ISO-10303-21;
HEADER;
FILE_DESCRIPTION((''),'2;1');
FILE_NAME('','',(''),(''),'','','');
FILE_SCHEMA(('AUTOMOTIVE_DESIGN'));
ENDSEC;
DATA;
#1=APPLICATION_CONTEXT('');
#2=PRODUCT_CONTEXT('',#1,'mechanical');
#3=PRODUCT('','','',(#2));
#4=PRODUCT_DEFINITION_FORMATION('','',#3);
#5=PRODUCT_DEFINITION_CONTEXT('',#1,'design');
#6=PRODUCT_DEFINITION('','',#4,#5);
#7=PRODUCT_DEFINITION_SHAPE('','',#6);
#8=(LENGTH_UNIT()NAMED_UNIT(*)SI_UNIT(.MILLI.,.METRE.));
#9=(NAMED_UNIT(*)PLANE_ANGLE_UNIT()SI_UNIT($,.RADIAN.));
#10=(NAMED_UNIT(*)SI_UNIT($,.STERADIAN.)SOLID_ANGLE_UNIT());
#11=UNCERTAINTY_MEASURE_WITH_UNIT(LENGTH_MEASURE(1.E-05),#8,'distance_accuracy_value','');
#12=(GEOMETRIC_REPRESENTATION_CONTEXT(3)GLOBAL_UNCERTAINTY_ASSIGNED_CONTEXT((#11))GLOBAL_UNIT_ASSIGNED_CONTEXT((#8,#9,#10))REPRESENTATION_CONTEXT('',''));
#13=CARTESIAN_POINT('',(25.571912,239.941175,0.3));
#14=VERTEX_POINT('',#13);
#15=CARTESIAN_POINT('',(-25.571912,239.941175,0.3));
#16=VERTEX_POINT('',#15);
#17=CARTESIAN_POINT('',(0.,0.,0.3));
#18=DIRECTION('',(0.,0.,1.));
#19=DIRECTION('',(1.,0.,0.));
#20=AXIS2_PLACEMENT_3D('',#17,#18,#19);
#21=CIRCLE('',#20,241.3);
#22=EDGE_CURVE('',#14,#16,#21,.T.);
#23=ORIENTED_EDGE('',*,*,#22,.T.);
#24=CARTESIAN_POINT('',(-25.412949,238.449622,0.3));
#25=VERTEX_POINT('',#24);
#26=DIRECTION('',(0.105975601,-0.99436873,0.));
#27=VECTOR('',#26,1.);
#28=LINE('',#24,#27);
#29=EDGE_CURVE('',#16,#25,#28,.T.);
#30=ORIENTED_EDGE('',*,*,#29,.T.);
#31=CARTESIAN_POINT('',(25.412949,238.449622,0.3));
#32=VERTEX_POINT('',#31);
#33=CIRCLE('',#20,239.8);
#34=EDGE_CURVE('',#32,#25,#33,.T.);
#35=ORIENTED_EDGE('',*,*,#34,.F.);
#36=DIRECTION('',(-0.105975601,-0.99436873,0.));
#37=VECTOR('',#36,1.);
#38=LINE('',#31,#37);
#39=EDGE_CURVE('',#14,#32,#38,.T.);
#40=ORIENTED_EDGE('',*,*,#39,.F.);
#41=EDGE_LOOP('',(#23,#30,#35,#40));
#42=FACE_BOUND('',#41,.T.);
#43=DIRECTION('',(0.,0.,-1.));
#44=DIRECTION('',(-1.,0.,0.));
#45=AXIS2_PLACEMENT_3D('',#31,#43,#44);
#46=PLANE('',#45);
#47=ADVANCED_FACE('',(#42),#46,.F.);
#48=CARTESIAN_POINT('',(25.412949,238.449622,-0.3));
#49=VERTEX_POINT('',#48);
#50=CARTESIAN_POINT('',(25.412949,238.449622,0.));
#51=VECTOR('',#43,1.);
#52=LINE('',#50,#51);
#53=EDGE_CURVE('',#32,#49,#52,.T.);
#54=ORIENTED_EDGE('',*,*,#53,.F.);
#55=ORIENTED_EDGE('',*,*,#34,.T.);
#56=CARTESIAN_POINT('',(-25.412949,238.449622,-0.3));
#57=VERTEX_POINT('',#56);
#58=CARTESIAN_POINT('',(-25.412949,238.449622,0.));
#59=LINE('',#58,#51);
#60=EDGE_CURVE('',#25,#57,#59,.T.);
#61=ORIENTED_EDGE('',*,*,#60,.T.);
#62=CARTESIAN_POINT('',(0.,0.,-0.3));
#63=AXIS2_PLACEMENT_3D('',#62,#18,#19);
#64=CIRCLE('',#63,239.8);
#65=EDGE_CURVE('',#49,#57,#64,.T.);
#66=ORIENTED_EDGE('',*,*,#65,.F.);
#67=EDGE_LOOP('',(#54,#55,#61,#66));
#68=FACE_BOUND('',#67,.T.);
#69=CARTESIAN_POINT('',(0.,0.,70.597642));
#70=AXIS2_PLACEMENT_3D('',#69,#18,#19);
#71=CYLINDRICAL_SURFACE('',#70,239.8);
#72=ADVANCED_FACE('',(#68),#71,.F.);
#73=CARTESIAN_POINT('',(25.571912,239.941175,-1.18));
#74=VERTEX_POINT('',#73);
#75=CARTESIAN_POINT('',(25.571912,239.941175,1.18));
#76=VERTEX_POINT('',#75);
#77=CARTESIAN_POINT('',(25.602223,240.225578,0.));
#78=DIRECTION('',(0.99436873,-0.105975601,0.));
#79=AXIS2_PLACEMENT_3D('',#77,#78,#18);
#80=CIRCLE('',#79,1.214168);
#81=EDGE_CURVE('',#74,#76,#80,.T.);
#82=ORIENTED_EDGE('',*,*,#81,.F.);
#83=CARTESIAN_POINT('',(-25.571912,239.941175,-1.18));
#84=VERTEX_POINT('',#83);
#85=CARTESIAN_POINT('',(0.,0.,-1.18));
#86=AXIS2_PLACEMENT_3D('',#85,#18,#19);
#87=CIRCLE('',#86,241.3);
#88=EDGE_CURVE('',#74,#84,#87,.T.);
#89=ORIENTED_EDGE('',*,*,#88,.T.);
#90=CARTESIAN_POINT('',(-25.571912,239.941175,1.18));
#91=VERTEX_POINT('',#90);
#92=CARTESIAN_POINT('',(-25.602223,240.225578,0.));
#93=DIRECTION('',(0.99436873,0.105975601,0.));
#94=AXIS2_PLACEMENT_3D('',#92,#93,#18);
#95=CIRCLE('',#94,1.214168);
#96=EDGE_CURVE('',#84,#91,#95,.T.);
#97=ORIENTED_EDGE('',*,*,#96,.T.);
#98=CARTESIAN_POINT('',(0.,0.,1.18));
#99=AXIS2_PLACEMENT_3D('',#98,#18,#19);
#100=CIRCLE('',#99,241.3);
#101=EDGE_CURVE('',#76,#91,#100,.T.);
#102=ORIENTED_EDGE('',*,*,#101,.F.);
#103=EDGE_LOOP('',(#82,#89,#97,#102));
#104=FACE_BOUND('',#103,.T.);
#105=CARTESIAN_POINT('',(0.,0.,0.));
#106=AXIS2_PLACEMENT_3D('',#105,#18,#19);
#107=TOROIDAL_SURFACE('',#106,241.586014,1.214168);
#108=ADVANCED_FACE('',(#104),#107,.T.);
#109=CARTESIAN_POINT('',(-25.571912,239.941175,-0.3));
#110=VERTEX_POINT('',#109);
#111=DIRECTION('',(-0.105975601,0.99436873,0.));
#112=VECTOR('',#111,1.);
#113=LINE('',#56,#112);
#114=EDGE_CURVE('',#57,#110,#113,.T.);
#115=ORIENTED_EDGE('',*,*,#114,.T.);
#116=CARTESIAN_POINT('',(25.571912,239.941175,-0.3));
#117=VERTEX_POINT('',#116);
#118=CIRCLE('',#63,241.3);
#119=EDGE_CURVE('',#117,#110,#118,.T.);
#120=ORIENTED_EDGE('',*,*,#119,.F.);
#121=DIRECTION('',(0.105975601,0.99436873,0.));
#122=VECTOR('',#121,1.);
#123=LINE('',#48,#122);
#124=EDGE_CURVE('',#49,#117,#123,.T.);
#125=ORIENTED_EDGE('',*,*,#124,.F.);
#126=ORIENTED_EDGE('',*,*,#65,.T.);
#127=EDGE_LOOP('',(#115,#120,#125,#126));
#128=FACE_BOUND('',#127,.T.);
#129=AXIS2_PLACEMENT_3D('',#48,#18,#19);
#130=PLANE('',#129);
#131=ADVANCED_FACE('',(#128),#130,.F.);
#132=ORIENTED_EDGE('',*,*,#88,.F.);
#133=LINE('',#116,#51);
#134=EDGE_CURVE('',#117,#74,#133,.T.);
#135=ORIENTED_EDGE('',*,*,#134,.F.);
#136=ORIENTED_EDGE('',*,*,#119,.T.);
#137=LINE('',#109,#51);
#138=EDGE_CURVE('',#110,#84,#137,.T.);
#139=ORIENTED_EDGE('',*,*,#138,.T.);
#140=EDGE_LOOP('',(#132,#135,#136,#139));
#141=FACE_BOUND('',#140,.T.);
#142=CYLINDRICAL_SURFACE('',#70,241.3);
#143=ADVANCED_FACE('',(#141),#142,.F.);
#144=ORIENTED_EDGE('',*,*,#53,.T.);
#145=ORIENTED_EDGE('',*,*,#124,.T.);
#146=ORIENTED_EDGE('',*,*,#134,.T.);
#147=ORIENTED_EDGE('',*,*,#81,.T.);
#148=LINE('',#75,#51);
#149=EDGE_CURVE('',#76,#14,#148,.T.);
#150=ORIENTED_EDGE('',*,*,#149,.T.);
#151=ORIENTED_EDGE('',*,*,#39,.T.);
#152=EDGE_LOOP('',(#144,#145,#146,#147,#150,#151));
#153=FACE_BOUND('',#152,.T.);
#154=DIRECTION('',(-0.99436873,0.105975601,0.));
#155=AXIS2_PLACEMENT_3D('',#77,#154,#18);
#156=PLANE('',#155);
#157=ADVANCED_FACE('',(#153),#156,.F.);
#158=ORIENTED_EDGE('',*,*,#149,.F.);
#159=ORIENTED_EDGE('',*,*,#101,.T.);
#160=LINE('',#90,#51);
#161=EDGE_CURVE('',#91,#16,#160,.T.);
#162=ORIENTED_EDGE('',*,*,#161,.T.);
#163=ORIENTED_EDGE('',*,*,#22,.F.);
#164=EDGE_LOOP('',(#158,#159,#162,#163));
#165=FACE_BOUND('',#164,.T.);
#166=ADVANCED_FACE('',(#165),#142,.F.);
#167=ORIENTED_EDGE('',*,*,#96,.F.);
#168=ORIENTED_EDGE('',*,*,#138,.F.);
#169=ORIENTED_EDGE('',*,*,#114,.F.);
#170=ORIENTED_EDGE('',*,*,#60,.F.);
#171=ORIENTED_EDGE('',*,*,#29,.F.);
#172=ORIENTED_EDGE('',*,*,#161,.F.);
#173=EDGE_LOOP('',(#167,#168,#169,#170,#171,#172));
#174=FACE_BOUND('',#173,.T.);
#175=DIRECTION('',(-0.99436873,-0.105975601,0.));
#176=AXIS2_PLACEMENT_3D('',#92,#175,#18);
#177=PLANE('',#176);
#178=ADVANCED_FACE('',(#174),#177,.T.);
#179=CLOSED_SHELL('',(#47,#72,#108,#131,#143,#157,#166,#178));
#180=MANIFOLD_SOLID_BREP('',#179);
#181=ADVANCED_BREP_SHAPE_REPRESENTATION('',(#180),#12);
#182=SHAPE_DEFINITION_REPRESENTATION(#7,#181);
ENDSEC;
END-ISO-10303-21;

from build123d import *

# Parameters (mm, degrees)
REVOLVE1_ANGLE           = 6.083377998
REVOLVE1_OTHER_WAY_ANGLE = 6.083377998


with BuildPart() as part:
    # Sketch2 → Revolve1 (revolve)
    with BuildSketch(Plane(origin=(0, 0, 0), x_dir=(0, 0, -1), z_dir=(1, 0, 0))):
        with BuildLine():
            Line((0, 239.8), (0.3, 239.8))
            Line((0.3, 239.8), (0.3, 241.3))
            Line((0.3, 241.3), (1.18, 241.3))
            ThreePointArc((1.18, 241.3), (0, 242.800182019), (-1.18, 241.3))
            Line((-1.18, 241.3), (-0.3, 241.3))
            Line((-0.3, 241.3), (-0.3, 239.8))
            Line((-0.3, 239.8), (0, 239.8))
        make_face()
    revolve(axis=Axis((0, 0, 70.597641597), (0, 0, -1)), revolution_arc=REVOLVE1_ANGLE)

    # Sketch2 → Revolve1 other way (revolve)
    with BuildSketch(Plane(origin=(0, 0, 0), x_dir=(0, 0, -1), z_dir=(1, 0, 0))):
        with BuildLine():
            Line((0, 239.8), (0.3, 239.8))
            Line((0.3, 239.8), (0.3, 241.3))
            Line((0.3, 241.3), (1.18, 241.3))
            ThreePointArc((1.18, 241.3), (0, 242.800182019), (-1.18, 241.3))
            Line((-1.18, 241.3), (-0.3, 241.3))
            Line((-0.3, 241.3), (-0.3, 239.8))
            Line((-0.3, 239.8), (0, 239.8))
        make_face()
    revolve(axis=Axis((0, 0, 70.597641597), (0, 0, 1)), revolution_arc=REVOLVE1_OTHER_WAY_ANGLE)


solid = part.part
